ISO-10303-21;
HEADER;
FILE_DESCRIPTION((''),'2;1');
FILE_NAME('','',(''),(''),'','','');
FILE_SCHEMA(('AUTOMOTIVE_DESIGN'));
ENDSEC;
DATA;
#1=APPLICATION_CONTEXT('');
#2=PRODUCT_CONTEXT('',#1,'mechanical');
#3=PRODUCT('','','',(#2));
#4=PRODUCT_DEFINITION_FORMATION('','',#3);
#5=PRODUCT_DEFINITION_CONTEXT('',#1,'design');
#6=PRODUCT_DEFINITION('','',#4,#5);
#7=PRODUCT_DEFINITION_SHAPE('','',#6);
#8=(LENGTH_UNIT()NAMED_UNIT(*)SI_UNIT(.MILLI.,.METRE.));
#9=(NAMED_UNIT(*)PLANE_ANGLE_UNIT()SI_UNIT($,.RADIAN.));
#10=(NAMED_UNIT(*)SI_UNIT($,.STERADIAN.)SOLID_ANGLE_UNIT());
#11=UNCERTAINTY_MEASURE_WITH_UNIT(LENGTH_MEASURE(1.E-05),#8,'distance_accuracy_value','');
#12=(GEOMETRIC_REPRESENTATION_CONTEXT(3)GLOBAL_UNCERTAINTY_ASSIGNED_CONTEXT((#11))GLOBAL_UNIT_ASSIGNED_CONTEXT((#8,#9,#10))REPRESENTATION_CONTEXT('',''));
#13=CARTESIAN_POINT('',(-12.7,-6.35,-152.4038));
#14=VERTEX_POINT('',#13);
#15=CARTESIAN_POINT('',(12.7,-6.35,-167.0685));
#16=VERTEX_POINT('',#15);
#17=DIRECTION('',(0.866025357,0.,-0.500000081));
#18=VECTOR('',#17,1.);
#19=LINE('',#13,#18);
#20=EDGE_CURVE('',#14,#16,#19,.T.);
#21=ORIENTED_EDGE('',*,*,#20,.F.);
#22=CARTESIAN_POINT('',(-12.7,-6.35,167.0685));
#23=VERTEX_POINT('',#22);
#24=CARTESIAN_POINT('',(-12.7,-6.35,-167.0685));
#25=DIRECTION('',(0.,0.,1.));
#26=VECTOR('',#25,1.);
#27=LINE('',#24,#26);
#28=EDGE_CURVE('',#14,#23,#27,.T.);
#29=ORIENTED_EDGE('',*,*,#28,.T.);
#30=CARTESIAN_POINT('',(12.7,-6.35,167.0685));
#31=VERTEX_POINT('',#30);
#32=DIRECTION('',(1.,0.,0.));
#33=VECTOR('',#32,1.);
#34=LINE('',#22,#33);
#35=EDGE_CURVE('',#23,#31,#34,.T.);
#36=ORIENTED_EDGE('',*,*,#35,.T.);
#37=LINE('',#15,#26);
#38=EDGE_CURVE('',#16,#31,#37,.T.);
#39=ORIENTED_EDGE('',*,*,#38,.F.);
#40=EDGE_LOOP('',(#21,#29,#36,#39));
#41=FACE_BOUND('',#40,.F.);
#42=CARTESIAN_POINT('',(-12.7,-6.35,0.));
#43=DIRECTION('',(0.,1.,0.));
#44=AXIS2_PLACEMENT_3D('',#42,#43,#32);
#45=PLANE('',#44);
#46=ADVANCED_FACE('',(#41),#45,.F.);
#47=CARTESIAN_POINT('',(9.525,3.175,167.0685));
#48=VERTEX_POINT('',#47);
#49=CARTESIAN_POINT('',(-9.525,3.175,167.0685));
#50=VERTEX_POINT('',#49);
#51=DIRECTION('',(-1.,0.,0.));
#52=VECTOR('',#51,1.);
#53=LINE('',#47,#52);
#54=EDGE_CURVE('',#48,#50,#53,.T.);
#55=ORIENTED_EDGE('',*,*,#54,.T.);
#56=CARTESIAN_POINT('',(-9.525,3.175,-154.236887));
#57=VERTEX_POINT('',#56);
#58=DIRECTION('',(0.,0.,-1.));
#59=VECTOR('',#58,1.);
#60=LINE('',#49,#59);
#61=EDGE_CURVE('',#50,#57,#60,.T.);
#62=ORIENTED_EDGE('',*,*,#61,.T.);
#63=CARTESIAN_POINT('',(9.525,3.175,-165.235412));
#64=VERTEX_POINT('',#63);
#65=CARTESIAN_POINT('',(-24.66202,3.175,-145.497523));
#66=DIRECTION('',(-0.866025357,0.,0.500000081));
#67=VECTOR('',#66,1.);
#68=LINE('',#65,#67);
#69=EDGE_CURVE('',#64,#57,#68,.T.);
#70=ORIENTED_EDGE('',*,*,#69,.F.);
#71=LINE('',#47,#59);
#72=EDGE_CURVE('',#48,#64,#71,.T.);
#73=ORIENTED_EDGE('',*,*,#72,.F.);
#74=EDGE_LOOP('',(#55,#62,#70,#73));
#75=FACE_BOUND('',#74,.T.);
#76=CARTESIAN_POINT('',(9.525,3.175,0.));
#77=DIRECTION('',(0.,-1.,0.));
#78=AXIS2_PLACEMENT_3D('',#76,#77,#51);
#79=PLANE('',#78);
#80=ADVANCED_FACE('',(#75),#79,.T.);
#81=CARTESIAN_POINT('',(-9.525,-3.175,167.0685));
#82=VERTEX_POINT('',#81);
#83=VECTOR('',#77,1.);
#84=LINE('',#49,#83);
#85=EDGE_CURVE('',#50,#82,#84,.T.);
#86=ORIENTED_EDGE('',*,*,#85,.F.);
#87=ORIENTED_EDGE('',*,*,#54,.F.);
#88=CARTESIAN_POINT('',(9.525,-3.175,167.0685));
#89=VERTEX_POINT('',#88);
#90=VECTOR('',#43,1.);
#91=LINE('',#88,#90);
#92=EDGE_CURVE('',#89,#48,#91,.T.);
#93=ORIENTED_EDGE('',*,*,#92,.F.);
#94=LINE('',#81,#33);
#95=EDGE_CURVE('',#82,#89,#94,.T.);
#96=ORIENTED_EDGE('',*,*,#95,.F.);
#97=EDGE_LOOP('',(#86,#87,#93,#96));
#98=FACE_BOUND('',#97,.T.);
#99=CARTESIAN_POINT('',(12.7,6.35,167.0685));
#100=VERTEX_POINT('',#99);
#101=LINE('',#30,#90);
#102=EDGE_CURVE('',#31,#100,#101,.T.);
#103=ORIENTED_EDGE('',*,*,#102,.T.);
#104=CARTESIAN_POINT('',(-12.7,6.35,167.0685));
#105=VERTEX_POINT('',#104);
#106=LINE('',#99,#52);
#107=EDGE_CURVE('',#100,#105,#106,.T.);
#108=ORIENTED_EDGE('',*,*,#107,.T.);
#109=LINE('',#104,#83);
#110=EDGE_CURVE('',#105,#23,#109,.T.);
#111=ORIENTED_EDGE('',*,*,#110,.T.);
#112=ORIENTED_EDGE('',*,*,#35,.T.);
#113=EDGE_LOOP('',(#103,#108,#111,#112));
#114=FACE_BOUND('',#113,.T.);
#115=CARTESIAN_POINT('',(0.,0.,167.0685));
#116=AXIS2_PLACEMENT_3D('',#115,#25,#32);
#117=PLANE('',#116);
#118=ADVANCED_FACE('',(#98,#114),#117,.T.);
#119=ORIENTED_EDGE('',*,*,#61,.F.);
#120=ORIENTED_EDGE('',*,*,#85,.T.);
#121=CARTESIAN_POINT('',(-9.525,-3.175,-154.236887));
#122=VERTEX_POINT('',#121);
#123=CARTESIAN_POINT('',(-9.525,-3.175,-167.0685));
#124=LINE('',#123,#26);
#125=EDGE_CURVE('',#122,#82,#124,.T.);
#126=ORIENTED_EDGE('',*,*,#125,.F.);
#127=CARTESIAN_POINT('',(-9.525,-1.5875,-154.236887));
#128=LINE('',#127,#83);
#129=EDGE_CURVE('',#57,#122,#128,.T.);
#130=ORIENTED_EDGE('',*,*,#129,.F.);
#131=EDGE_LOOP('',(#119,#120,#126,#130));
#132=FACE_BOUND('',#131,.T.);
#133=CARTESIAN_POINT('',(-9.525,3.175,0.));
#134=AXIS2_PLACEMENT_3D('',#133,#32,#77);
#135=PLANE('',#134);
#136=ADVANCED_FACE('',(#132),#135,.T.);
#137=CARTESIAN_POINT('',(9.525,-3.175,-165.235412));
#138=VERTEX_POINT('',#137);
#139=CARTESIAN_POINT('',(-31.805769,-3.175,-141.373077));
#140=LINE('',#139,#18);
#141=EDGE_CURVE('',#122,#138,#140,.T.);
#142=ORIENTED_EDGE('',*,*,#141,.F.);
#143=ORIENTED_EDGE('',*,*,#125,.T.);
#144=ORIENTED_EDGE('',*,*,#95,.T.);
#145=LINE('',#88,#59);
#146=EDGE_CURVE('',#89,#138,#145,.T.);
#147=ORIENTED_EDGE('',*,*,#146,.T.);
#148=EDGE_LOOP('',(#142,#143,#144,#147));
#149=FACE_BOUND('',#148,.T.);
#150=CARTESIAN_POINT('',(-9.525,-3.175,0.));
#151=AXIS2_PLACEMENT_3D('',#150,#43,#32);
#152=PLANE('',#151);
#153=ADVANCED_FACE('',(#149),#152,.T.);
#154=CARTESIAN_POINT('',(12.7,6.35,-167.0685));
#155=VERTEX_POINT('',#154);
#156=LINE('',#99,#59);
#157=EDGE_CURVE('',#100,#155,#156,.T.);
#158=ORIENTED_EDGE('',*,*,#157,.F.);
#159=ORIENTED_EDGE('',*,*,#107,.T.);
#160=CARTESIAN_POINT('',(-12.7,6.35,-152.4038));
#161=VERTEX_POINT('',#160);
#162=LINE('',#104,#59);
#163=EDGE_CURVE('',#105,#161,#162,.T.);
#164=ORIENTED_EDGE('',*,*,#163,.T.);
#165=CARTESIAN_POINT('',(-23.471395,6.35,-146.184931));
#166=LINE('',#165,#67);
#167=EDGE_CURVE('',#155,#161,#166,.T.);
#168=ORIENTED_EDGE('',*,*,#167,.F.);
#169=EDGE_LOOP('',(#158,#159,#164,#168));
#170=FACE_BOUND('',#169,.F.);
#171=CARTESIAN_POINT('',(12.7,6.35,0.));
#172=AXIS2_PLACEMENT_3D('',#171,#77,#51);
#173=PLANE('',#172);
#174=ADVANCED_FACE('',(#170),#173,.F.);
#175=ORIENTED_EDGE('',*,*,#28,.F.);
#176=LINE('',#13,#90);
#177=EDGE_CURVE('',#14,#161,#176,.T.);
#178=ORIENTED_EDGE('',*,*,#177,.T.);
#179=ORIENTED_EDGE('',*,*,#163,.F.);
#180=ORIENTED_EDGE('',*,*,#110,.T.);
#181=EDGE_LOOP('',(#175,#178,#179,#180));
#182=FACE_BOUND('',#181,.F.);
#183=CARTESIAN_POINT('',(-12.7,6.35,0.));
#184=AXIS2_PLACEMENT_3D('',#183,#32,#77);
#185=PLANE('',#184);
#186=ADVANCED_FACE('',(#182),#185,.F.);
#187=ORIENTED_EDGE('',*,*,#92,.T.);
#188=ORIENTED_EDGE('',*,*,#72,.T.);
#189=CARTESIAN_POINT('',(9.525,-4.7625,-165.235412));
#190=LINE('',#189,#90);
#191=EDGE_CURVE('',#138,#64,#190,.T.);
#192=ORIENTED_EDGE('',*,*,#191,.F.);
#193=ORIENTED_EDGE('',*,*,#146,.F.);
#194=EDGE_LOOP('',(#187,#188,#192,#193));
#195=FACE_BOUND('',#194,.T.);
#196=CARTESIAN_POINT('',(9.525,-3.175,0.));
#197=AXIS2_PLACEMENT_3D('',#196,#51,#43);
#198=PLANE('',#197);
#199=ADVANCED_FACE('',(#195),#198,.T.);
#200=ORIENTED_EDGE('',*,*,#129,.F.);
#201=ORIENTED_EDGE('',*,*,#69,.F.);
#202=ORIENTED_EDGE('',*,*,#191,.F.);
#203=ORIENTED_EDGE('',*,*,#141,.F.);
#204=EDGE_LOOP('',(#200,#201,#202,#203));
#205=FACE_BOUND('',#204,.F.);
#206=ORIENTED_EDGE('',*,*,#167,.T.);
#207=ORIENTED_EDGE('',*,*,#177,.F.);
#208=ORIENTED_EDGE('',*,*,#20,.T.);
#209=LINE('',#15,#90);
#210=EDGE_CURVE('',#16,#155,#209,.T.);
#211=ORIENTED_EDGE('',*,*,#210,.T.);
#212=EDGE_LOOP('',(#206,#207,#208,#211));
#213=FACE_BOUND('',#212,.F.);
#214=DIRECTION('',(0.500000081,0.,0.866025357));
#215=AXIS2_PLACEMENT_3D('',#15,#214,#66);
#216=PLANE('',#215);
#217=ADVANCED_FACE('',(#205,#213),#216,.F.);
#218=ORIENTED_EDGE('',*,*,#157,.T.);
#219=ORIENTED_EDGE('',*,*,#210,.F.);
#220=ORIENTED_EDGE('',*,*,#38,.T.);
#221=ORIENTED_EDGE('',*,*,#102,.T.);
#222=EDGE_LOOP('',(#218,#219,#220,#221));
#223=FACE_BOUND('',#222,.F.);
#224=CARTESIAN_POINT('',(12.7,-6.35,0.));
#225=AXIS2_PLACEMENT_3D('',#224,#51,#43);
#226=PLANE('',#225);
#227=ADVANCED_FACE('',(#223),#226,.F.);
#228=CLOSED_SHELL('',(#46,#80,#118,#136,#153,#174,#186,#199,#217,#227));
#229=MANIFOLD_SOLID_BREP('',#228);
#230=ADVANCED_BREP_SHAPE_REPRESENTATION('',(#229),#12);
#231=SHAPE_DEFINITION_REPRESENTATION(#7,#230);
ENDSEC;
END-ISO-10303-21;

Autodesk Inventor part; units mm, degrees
ref_plane "YZ Plane" through (0, 0, 0) normal (1, 0, 0) x (0, 1, 0)
ref_plane "XZ Plane" through (0, 0, 0) normal (0, 1, 0) x (-1, 0, 0)
ref_plane "XY Plane" through (0, 0, 0) normal (0, 0, 1) x (1, 0, 0)
sketch "Sketch1" plane through (0, 0, 0) normal (0, 0, 1) x (1, 0, 0)
  line L0 (-12.7, -6.35) -> (12.7, -6.35)
  line L1 (12.7, -6.35) -> (12.7, 6.35)
  line L2 (12.7, 6.35) -> (-12.7, 6.35)
  line L3 (-12.7, 6.35) -> (-12.7, -6.35)
  line L4 (-12.7, -6.35) -> (12.7, 6.35) construction
  line L5 (12.7, -6.35) -> (-12.7, 6.35) construction
  line L6 (-9.525, -3.175) -> (9.525, -3.175)
  line L7 (9.525, -3.175) -> (9.525, 3.175)
  line L8 (9.525, 3.175) -> (-9.525, 3.175)
  line L9 (-9.525, 3.175) -> (-9.525, -3.175)
  line L10 (-9.525, -3.175) -> (9.525, 3.175) construction
  line L11 (9.525, -3.175) -> (-9.525, 3.175) construction
  point P0 (0, 0)
  dimension "d0" = 25.4
  dimension "d1" = 12.7
  dimension "d2" = 3.175
  dimension "d3" = 3.175
extrude "Extrusion1" add sketch "Sketch1" along normal mid plane 334.137
sketch "Sketch2" plane through (-12.7, -6.35, 167.0685) normal (0, -1, 0) x (1, 0, 0)
  line L0 (25.4, -334.137) -> (0, -334.137) projected
  line L1 (25.4, -334.137) -> (0, -319.4723)
  line L2 (0, 0) -> (0, -334.137) projected
  line L3 (0, -334.137) -> (0, -319.4723)
  line L4 (0, -334.137) -> (25.4, -334.137)
  line L5 (22.225, -334.137) -> (22.225, 0) projected
  point P0 (12.7, -167.0685)
  dimension "d6" = 30
extrude "Extrusion2" cut sketch "Sketch2" against normal through all
properties part number "1x0_5x12-aluminumExtrusion" material "Aluminum 6061, Welded"
